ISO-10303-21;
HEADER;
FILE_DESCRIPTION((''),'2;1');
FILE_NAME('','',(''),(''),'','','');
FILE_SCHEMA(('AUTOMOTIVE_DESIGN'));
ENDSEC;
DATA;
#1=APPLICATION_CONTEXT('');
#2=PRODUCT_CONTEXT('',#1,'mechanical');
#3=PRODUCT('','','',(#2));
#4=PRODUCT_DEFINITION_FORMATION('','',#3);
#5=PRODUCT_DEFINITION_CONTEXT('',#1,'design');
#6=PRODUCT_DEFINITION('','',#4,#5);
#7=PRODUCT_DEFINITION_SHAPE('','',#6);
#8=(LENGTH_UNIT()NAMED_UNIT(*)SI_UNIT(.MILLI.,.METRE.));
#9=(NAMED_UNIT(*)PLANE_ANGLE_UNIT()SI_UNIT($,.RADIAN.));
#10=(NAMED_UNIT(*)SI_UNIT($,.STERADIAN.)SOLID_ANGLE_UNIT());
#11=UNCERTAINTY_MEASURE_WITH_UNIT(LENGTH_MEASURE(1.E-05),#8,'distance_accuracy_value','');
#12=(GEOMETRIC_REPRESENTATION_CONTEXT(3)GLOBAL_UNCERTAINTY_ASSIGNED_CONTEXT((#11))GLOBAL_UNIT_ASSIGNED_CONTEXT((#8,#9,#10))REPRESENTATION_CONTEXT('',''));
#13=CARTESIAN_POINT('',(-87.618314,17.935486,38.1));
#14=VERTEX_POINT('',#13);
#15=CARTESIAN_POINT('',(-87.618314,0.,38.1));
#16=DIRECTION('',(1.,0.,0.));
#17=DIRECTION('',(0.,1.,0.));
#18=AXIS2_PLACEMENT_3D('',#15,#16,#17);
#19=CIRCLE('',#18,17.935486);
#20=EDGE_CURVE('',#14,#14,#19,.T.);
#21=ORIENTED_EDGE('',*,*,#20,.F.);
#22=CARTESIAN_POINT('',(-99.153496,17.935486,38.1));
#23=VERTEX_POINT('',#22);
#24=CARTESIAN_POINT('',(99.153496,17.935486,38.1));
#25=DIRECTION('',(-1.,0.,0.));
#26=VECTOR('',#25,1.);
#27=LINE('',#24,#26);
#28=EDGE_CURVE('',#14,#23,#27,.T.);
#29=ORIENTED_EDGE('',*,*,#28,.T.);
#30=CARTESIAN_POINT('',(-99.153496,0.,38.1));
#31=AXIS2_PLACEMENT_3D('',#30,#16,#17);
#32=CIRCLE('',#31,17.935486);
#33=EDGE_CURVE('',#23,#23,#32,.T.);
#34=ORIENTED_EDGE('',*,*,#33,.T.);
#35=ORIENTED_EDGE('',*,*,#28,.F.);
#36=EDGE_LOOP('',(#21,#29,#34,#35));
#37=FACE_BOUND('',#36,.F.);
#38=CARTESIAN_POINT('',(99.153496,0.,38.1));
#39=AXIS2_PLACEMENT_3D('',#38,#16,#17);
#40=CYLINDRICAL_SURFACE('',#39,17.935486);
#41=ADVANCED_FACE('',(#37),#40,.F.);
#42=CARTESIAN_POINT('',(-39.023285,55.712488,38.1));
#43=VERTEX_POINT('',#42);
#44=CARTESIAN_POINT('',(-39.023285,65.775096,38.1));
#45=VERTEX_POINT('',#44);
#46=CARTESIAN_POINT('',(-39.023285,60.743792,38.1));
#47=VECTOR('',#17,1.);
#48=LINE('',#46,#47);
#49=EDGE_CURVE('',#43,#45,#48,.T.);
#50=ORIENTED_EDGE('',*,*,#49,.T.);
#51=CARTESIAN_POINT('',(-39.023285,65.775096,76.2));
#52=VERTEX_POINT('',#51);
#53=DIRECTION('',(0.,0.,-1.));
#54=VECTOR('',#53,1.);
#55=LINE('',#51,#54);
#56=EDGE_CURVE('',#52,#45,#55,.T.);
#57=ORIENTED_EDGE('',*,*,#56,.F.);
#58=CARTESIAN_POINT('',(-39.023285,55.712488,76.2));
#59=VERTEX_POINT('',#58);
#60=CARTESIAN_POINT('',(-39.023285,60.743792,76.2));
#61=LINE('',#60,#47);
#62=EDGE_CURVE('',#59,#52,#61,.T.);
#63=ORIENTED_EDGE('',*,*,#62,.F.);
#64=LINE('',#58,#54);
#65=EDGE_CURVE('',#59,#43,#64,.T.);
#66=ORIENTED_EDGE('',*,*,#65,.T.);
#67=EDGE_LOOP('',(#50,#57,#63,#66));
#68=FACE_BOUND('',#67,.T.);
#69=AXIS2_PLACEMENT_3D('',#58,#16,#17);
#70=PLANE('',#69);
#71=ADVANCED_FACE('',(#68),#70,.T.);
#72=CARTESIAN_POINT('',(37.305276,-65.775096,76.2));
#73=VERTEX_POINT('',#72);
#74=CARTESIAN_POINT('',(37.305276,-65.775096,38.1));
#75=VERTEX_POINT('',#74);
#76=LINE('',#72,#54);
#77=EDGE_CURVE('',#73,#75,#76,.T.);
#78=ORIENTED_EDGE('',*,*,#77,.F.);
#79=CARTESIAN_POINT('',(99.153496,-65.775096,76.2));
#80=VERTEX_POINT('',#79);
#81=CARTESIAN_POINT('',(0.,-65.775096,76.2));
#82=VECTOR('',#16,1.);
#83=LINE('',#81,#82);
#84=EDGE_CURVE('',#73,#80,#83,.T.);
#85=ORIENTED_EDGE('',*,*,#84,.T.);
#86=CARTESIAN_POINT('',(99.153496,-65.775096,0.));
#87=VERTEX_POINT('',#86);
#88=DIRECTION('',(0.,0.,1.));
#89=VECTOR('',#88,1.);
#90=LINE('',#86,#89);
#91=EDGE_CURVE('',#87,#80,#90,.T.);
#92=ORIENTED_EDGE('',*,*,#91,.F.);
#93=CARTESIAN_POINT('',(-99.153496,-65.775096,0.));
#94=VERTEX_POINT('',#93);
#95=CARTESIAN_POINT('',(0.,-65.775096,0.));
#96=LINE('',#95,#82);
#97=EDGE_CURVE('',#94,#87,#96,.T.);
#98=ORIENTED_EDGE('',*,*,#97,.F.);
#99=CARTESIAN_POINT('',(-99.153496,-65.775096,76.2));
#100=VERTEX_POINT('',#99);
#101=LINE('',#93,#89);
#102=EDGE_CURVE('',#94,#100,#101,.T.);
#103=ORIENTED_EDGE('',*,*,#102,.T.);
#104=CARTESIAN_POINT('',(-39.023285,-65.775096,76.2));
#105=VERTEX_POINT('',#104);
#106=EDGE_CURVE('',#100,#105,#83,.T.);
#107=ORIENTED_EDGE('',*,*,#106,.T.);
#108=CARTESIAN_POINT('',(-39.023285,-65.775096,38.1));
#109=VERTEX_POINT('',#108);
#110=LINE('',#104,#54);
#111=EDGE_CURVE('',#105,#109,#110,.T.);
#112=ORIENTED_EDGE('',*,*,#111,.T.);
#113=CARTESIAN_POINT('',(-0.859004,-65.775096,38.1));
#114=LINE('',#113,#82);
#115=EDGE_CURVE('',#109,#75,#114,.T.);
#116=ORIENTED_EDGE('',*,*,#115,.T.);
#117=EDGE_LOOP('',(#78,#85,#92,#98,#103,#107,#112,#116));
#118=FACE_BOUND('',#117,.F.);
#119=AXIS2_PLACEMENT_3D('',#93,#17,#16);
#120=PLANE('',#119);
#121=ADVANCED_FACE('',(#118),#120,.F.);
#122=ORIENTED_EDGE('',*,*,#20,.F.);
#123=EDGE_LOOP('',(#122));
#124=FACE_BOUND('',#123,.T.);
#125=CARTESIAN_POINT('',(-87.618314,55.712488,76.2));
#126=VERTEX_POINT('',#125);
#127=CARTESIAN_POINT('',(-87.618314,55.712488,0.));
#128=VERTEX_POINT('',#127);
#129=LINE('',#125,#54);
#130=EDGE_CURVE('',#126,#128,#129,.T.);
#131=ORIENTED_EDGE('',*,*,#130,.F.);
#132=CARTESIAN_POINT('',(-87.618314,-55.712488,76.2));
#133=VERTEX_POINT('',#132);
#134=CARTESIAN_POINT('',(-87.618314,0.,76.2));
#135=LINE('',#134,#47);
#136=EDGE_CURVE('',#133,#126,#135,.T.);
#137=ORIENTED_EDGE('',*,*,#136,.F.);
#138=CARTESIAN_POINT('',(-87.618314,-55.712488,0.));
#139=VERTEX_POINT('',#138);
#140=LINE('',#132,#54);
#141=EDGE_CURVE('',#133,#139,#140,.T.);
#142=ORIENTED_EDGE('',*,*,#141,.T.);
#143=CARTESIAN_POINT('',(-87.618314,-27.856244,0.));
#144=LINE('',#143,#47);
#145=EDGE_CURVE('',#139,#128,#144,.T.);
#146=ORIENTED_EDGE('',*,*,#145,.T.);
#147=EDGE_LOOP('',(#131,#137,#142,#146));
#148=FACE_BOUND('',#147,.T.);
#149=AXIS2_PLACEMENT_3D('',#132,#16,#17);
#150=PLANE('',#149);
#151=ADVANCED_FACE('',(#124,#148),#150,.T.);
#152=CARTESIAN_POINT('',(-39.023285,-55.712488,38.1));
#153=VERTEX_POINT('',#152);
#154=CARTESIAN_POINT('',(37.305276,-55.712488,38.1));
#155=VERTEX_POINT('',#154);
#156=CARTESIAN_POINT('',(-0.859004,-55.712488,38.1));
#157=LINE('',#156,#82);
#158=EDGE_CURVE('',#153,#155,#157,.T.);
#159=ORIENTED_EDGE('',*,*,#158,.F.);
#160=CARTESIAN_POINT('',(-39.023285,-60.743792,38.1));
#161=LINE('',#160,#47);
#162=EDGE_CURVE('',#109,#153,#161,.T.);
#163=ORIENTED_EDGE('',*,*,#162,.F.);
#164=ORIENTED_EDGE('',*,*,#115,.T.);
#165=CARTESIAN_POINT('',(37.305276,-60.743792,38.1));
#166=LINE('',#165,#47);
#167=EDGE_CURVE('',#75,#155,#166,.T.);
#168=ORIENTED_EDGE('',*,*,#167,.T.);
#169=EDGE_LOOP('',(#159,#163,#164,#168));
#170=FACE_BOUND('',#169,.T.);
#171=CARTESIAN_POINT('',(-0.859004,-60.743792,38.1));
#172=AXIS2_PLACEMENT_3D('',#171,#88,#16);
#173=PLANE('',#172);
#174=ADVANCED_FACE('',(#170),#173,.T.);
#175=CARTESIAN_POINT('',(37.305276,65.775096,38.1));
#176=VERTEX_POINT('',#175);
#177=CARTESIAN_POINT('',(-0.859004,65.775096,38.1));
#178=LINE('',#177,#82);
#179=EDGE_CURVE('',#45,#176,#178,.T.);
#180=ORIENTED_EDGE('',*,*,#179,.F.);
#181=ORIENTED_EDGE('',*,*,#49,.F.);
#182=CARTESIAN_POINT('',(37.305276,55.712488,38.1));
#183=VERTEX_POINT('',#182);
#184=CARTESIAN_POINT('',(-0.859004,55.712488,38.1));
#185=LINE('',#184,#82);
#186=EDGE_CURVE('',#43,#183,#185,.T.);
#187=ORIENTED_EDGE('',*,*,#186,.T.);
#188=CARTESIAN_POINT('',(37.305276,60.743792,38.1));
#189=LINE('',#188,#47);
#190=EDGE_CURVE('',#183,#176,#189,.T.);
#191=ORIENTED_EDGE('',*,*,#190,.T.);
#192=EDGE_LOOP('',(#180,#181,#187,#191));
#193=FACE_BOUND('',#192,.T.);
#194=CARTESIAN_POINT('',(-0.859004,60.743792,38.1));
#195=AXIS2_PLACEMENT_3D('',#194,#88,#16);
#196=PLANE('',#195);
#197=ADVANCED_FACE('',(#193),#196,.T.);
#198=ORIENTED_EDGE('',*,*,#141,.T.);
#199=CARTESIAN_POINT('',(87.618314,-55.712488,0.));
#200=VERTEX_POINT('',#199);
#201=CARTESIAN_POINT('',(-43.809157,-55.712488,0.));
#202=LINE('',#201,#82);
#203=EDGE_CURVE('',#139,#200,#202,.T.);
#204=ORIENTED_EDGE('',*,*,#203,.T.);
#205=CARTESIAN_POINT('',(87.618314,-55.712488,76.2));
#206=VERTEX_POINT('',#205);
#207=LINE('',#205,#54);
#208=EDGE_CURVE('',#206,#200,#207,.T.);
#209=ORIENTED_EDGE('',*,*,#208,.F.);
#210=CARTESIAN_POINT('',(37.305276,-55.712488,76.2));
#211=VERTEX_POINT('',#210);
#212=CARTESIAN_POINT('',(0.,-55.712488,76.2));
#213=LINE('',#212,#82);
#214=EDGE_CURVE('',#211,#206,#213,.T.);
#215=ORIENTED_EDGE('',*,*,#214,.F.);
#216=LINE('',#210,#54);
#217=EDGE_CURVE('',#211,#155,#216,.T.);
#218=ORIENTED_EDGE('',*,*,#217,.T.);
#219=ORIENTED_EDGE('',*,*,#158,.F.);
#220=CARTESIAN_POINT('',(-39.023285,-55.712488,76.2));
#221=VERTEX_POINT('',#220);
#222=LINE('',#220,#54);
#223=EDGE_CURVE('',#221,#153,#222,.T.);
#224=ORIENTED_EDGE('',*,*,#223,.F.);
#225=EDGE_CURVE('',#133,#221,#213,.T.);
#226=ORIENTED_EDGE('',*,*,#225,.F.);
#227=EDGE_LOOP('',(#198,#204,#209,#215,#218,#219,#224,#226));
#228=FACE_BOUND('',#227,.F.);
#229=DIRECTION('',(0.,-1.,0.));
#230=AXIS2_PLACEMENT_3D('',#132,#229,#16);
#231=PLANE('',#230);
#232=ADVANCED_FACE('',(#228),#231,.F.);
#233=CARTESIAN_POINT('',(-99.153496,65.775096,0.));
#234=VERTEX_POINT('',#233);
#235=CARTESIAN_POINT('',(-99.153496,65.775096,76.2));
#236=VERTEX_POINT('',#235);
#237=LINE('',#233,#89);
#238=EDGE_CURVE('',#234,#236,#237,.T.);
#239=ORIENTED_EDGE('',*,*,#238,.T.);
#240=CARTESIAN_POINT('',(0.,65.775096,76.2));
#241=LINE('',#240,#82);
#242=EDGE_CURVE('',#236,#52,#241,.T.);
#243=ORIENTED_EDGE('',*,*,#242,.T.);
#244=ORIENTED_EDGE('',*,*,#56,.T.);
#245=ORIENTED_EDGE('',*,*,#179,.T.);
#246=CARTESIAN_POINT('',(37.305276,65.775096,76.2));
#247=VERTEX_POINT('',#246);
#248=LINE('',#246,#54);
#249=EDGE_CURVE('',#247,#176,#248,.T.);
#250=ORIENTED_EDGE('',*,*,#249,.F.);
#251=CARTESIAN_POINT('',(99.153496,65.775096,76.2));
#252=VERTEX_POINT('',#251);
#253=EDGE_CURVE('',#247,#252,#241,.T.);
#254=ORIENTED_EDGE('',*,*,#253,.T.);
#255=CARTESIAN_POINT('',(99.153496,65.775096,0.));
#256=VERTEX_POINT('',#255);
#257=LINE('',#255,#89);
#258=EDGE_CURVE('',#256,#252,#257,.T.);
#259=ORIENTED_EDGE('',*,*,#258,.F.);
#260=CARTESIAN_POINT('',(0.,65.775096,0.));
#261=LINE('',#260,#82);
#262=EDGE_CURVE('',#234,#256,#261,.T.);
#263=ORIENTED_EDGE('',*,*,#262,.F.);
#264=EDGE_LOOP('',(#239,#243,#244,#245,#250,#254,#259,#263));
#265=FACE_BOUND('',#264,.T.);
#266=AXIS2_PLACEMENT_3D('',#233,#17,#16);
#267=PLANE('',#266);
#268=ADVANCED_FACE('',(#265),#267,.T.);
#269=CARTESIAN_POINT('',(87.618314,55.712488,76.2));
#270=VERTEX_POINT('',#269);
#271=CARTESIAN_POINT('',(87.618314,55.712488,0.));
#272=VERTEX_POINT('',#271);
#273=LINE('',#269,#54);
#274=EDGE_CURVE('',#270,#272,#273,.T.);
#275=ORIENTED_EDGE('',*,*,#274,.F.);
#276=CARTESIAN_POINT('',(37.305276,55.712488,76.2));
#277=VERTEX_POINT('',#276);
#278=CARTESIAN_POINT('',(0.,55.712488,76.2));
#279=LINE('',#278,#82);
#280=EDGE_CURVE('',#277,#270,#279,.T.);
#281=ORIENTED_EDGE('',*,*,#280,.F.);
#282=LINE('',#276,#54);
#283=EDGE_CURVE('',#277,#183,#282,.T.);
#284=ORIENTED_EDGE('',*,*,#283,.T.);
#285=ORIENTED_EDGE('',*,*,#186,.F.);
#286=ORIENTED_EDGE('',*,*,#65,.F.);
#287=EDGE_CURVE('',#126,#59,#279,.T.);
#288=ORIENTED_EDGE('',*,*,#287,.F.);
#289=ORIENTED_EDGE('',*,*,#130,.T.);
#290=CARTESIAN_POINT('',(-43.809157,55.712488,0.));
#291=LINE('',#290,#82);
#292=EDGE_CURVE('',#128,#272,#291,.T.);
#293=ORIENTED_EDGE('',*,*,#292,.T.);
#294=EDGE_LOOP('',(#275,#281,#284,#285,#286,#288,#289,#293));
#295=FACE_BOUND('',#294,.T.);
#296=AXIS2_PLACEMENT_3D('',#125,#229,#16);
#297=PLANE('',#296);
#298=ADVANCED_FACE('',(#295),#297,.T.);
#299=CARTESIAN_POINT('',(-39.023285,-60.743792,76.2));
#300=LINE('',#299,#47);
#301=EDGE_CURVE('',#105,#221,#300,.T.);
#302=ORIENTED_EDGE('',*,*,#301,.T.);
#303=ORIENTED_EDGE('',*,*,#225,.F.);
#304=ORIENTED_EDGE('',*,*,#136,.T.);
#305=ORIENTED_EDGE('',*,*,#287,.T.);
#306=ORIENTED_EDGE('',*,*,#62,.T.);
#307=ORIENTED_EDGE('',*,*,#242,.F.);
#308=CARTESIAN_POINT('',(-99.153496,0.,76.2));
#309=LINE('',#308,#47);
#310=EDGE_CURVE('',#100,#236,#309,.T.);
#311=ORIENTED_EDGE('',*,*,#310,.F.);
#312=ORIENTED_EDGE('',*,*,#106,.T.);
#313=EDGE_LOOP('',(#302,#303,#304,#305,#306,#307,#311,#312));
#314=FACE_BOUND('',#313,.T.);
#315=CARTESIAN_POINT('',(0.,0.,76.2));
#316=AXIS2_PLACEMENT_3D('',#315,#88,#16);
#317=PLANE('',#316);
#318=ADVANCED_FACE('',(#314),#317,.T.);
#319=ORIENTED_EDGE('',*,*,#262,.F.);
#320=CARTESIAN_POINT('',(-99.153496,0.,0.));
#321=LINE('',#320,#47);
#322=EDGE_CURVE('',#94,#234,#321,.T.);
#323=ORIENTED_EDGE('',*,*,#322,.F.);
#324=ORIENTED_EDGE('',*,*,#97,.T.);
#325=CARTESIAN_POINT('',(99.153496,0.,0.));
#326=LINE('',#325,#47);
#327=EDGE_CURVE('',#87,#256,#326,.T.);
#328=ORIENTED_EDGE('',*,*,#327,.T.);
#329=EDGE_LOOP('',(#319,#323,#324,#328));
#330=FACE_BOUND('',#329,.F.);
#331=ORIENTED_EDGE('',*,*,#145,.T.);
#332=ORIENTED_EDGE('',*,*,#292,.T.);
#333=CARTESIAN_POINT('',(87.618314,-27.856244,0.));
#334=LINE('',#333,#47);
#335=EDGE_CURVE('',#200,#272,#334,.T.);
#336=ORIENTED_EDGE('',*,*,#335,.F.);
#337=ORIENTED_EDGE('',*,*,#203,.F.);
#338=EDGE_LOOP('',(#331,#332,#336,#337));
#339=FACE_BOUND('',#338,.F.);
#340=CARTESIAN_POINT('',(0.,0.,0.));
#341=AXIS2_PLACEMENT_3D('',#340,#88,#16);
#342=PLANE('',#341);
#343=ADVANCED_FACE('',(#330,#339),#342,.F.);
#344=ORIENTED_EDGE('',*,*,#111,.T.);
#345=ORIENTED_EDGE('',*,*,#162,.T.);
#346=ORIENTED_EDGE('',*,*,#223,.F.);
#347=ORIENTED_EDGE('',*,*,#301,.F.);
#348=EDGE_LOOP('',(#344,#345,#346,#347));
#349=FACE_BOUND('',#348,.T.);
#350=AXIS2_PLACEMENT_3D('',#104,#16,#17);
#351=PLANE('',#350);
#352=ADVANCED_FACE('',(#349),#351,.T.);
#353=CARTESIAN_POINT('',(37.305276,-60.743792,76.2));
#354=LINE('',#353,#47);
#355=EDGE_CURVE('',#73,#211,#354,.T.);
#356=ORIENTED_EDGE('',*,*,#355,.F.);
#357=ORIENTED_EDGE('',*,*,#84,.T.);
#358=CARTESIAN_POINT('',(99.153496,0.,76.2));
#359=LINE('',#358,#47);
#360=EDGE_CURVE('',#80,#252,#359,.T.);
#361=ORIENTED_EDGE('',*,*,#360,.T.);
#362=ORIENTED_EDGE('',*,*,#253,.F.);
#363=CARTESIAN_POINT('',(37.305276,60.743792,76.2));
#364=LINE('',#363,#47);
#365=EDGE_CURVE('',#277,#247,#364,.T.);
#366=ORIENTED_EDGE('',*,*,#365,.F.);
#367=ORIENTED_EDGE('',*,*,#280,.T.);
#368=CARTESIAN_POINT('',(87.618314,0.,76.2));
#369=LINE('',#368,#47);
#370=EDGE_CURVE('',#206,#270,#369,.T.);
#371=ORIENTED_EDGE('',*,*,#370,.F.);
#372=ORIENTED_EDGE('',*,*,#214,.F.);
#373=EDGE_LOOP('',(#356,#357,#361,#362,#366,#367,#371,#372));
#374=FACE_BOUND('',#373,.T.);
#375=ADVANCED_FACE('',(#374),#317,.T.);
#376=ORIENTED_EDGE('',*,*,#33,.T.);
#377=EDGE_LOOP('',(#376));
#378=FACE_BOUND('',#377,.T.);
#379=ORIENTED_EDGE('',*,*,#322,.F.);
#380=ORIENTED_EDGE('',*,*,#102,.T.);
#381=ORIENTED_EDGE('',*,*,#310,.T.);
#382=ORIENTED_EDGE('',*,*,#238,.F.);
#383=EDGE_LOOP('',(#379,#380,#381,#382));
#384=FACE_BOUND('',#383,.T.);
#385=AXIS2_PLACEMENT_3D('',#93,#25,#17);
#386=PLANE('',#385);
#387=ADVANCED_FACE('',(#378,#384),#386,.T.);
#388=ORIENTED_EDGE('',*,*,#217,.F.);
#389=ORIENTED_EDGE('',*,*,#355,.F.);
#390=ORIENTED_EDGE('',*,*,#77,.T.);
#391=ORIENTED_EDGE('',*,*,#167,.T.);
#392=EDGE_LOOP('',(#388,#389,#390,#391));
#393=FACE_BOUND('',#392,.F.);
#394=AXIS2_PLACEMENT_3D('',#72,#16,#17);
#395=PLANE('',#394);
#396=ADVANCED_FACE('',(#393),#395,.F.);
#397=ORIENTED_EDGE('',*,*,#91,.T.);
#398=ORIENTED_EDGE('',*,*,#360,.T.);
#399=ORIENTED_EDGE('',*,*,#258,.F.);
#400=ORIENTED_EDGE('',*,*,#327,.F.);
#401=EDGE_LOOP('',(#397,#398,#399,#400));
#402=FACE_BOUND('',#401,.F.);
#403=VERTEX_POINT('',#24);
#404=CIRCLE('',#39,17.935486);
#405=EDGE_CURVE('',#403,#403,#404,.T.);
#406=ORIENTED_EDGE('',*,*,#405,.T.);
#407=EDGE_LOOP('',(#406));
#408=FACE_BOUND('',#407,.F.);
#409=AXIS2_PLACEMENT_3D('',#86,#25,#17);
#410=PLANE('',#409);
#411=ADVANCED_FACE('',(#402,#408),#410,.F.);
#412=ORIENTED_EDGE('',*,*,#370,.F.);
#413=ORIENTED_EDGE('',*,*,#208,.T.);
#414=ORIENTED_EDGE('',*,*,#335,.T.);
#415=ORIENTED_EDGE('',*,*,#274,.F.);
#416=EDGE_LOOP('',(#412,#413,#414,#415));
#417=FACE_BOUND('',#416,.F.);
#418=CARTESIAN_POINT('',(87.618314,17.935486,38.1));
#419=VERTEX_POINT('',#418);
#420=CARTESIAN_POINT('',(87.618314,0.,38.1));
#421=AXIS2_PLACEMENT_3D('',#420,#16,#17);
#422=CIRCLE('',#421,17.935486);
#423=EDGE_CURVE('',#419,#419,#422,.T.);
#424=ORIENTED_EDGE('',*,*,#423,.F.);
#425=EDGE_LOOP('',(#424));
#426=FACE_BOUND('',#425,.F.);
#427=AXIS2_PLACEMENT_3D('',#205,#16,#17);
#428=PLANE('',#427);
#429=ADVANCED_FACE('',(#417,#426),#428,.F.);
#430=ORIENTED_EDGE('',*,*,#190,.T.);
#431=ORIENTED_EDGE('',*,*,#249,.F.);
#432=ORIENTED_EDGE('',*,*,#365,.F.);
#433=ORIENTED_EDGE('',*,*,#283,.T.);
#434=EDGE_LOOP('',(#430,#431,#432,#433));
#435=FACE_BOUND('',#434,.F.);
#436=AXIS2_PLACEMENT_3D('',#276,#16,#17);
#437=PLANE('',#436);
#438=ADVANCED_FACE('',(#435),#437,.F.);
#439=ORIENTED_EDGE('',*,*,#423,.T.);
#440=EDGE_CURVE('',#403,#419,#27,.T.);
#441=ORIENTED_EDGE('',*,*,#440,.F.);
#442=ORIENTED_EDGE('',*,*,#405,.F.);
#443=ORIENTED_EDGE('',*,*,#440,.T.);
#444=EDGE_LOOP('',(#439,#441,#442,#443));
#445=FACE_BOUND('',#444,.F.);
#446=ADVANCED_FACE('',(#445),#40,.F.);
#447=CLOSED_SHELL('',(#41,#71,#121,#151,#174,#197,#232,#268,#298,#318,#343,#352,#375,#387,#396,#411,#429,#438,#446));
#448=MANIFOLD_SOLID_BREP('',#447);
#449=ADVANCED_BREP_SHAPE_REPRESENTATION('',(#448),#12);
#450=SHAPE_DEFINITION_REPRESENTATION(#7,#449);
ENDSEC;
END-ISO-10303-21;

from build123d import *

# Parameters (mm, degrees)
F0_W     = 198.306992
F0_H     = 131.550192
F1_DEPTH = 76.2
F2_W     = 175.236628
F2_H     = 111.424976
F3_DEPTH = 76.201
F4_R     = 17.935486
F5_DEPTH = 198.307993
F6_W     = 76.328561
F6_H     = 10.062608
F7_DEPTH = 38.1


with BuildPart() as f1:
    # F0 (on Top) → F1 (new body)
    with BuildSketch(Plane.XY):
        Rectangle(F0_W, F0_H)
    extrude(amount=F1_DEPTH)

    # F2 (on face) → F3 (cut, through all)
    with BuildSketch(Plane.XY.offset(76.2)):
        Rectangle(F2_W, F2_H)
    extrude(amount=-F3_DEPTH, mode=Mode.SUBTRACT)

    # F4 (on face) → F5 (cut, through all)
    with BuildSketch(Plane.YZ.offset(99.153496)):
        with Locations((0, 38.1)):
            Circle(F4_R)
    extrude(amount=-F5_DEPTH, mode=Mode.SUBTRACT)

    # F6 (on face) → F7 (cut)
    with BuildSketch(Plane.XY.offset(76.2)):
        with Locations((-0.859004, 60.743792)):
            Rectangle(F6_W, F6_H)
        with Locations((-0.859004, -60.743792)):
            Rectangle(F6_W, F6_H)
    extrude(amount=-F7_DEPTH, mode=Mode.SUBTRACT)


solid = f1.part
